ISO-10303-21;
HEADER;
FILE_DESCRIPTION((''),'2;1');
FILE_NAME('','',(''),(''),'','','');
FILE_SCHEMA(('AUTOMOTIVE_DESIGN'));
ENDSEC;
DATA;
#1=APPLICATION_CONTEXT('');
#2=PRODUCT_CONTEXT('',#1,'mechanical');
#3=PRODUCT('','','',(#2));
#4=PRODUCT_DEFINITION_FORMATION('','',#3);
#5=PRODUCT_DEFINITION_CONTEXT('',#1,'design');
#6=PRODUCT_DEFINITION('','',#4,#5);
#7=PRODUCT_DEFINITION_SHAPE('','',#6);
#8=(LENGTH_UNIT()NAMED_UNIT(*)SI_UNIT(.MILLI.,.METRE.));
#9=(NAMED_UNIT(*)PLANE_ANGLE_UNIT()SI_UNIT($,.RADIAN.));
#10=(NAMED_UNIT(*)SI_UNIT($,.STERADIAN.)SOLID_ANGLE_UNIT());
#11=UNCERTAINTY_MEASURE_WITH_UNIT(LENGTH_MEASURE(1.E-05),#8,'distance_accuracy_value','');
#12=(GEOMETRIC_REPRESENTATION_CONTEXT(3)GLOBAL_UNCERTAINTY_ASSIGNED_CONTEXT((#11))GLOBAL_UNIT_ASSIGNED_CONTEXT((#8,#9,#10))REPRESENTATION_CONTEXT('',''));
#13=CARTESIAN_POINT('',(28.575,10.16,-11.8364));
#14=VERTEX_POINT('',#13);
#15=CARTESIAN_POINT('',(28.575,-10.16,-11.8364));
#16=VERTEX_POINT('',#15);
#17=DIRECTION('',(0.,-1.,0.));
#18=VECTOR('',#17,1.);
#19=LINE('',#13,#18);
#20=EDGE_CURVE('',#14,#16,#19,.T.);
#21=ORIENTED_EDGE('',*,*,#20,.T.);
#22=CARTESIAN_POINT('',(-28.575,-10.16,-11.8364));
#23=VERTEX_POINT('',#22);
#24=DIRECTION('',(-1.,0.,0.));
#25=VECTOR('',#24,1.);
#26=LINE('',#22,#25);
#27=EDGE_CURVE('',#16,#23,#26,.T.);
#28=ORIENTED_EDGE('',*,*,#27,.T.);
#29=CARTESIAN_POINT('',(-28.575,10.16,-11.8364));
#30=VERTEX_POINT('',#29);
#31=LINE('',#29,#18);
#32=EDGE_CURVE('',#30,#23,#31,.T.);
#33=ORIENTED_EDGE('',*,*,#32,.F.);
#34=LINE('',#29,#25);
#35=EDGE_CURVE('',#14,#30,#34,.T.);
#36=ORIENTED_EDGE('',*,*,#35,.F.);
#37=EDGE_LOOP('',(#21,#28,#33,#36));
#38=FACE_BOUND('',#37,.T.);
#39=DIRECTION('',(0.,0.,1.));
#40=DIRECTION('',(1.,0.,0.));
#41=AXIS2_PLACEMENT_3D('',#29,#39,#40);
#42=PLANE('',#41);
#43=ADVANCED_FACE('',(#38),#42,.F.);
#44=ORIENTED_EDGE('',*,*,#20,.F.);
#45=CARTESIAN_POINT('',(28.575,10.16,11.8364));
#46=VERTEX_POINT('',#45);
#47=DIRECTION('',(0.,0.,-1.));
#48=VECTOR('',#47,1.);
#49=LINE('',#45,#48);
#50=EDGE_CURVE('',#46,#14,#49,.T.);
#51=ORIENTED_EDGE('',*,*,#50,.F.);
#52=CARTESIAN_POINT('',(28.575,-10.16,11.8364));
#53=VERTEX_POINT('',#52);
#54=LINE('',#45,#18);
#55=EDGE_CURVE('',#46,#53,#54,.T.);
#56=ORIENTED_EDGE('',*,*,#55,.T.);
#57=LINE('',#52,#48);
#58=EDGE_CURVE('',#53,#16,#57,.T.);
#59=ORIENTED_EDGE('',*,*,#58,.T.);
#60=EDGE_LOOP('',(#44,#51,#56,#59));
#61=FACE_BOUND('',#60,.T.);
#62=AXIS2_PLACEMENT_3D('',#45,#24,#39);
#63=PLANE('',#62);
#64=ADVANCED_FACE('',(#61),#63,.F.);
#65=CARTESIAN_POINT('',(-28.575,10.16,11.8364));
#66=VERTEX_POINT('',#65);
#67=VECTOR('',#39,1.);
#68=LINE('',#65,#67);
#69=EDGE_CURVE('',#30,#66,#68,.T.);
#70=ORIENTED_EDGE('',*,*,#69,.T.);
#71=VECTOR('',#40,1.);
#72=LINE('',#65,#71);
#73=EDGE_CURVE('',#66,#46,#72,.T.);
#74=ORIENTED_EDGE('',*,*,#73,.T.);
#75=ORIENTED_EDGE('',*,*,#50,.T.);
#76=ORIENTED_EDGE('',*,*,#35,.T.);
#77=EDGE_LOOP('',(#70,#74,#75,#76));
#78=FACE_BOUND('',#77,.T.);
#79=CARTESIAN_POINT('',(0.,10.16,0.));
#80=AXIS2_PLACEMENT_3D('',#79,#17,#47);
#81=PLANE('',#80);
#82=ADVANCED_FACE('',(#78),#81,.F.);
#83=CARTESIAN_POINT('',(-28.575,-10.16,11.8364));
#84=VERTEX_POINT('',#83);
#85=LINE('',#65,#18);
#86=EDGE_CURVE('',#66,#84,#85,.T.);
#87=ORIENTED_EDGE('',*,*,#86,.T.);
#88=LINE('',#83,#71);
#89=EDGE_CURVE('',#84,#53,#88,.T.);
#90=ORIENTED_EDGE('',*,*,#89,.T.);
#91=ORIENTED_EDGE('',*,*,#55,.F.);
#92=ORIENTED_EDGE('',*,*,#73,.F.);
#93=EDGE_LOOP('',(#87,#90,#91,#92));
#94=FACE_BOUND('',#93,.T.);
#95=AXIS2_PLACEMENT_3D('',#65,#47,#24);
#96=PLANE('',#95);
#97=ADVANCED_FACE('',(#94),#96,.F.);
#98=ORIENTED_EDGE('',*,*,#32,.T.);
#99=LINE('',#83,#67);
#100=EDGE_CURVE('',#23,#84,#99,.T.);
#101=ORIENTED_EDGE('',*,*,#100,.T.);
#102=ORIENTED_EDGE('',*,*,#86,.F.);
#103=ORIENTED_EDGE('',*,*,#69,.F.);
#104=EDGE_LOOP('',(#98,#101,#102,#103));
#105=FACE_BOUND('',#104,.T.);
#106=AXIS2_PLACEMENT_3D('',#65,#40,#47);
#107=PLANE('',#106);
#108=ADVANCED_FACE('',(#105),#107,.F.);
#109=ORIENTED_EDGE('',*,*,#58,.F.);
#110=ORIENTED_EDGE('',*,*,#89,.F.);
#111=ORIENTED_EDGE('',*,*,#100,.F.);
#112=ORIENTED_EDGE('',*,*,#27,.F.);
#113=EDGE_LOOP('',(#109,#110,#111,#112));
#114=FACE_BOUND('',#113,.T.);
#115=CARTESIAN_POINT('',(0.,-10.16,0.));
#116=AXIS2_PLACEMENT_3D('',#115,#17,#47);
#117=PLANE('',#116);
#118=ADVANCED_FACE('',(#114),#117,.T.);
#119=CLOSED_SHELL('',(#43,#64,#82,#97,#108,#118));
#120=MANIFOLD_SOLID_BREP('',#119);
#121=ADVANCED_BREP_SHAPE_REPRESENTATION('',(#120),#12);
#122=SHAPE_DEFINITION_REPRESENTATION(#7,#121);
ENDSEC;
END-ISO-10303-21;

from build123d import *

# Parameters (mm, degrees)
SKETCH1_W           = 57.15
SKETCH1_H           = 23.6728
BOSS_EXTRUDE1_DEPTH = 10.16


with BuildPart() as part:
    # Sketch1 → Boss-Extrude1 (new, symmetric)
    with BuildSketch(Plane(origin=(0, 0, 0), x_dir=(1, 0, 0), z_dir=(0, 1, 0))):
        Rectangle(SKETCH1_W, SKETCH1_H)
    extrude(amount=BOSS_EXTRUDE1_DEPTH, both=True)


solid = part.part
